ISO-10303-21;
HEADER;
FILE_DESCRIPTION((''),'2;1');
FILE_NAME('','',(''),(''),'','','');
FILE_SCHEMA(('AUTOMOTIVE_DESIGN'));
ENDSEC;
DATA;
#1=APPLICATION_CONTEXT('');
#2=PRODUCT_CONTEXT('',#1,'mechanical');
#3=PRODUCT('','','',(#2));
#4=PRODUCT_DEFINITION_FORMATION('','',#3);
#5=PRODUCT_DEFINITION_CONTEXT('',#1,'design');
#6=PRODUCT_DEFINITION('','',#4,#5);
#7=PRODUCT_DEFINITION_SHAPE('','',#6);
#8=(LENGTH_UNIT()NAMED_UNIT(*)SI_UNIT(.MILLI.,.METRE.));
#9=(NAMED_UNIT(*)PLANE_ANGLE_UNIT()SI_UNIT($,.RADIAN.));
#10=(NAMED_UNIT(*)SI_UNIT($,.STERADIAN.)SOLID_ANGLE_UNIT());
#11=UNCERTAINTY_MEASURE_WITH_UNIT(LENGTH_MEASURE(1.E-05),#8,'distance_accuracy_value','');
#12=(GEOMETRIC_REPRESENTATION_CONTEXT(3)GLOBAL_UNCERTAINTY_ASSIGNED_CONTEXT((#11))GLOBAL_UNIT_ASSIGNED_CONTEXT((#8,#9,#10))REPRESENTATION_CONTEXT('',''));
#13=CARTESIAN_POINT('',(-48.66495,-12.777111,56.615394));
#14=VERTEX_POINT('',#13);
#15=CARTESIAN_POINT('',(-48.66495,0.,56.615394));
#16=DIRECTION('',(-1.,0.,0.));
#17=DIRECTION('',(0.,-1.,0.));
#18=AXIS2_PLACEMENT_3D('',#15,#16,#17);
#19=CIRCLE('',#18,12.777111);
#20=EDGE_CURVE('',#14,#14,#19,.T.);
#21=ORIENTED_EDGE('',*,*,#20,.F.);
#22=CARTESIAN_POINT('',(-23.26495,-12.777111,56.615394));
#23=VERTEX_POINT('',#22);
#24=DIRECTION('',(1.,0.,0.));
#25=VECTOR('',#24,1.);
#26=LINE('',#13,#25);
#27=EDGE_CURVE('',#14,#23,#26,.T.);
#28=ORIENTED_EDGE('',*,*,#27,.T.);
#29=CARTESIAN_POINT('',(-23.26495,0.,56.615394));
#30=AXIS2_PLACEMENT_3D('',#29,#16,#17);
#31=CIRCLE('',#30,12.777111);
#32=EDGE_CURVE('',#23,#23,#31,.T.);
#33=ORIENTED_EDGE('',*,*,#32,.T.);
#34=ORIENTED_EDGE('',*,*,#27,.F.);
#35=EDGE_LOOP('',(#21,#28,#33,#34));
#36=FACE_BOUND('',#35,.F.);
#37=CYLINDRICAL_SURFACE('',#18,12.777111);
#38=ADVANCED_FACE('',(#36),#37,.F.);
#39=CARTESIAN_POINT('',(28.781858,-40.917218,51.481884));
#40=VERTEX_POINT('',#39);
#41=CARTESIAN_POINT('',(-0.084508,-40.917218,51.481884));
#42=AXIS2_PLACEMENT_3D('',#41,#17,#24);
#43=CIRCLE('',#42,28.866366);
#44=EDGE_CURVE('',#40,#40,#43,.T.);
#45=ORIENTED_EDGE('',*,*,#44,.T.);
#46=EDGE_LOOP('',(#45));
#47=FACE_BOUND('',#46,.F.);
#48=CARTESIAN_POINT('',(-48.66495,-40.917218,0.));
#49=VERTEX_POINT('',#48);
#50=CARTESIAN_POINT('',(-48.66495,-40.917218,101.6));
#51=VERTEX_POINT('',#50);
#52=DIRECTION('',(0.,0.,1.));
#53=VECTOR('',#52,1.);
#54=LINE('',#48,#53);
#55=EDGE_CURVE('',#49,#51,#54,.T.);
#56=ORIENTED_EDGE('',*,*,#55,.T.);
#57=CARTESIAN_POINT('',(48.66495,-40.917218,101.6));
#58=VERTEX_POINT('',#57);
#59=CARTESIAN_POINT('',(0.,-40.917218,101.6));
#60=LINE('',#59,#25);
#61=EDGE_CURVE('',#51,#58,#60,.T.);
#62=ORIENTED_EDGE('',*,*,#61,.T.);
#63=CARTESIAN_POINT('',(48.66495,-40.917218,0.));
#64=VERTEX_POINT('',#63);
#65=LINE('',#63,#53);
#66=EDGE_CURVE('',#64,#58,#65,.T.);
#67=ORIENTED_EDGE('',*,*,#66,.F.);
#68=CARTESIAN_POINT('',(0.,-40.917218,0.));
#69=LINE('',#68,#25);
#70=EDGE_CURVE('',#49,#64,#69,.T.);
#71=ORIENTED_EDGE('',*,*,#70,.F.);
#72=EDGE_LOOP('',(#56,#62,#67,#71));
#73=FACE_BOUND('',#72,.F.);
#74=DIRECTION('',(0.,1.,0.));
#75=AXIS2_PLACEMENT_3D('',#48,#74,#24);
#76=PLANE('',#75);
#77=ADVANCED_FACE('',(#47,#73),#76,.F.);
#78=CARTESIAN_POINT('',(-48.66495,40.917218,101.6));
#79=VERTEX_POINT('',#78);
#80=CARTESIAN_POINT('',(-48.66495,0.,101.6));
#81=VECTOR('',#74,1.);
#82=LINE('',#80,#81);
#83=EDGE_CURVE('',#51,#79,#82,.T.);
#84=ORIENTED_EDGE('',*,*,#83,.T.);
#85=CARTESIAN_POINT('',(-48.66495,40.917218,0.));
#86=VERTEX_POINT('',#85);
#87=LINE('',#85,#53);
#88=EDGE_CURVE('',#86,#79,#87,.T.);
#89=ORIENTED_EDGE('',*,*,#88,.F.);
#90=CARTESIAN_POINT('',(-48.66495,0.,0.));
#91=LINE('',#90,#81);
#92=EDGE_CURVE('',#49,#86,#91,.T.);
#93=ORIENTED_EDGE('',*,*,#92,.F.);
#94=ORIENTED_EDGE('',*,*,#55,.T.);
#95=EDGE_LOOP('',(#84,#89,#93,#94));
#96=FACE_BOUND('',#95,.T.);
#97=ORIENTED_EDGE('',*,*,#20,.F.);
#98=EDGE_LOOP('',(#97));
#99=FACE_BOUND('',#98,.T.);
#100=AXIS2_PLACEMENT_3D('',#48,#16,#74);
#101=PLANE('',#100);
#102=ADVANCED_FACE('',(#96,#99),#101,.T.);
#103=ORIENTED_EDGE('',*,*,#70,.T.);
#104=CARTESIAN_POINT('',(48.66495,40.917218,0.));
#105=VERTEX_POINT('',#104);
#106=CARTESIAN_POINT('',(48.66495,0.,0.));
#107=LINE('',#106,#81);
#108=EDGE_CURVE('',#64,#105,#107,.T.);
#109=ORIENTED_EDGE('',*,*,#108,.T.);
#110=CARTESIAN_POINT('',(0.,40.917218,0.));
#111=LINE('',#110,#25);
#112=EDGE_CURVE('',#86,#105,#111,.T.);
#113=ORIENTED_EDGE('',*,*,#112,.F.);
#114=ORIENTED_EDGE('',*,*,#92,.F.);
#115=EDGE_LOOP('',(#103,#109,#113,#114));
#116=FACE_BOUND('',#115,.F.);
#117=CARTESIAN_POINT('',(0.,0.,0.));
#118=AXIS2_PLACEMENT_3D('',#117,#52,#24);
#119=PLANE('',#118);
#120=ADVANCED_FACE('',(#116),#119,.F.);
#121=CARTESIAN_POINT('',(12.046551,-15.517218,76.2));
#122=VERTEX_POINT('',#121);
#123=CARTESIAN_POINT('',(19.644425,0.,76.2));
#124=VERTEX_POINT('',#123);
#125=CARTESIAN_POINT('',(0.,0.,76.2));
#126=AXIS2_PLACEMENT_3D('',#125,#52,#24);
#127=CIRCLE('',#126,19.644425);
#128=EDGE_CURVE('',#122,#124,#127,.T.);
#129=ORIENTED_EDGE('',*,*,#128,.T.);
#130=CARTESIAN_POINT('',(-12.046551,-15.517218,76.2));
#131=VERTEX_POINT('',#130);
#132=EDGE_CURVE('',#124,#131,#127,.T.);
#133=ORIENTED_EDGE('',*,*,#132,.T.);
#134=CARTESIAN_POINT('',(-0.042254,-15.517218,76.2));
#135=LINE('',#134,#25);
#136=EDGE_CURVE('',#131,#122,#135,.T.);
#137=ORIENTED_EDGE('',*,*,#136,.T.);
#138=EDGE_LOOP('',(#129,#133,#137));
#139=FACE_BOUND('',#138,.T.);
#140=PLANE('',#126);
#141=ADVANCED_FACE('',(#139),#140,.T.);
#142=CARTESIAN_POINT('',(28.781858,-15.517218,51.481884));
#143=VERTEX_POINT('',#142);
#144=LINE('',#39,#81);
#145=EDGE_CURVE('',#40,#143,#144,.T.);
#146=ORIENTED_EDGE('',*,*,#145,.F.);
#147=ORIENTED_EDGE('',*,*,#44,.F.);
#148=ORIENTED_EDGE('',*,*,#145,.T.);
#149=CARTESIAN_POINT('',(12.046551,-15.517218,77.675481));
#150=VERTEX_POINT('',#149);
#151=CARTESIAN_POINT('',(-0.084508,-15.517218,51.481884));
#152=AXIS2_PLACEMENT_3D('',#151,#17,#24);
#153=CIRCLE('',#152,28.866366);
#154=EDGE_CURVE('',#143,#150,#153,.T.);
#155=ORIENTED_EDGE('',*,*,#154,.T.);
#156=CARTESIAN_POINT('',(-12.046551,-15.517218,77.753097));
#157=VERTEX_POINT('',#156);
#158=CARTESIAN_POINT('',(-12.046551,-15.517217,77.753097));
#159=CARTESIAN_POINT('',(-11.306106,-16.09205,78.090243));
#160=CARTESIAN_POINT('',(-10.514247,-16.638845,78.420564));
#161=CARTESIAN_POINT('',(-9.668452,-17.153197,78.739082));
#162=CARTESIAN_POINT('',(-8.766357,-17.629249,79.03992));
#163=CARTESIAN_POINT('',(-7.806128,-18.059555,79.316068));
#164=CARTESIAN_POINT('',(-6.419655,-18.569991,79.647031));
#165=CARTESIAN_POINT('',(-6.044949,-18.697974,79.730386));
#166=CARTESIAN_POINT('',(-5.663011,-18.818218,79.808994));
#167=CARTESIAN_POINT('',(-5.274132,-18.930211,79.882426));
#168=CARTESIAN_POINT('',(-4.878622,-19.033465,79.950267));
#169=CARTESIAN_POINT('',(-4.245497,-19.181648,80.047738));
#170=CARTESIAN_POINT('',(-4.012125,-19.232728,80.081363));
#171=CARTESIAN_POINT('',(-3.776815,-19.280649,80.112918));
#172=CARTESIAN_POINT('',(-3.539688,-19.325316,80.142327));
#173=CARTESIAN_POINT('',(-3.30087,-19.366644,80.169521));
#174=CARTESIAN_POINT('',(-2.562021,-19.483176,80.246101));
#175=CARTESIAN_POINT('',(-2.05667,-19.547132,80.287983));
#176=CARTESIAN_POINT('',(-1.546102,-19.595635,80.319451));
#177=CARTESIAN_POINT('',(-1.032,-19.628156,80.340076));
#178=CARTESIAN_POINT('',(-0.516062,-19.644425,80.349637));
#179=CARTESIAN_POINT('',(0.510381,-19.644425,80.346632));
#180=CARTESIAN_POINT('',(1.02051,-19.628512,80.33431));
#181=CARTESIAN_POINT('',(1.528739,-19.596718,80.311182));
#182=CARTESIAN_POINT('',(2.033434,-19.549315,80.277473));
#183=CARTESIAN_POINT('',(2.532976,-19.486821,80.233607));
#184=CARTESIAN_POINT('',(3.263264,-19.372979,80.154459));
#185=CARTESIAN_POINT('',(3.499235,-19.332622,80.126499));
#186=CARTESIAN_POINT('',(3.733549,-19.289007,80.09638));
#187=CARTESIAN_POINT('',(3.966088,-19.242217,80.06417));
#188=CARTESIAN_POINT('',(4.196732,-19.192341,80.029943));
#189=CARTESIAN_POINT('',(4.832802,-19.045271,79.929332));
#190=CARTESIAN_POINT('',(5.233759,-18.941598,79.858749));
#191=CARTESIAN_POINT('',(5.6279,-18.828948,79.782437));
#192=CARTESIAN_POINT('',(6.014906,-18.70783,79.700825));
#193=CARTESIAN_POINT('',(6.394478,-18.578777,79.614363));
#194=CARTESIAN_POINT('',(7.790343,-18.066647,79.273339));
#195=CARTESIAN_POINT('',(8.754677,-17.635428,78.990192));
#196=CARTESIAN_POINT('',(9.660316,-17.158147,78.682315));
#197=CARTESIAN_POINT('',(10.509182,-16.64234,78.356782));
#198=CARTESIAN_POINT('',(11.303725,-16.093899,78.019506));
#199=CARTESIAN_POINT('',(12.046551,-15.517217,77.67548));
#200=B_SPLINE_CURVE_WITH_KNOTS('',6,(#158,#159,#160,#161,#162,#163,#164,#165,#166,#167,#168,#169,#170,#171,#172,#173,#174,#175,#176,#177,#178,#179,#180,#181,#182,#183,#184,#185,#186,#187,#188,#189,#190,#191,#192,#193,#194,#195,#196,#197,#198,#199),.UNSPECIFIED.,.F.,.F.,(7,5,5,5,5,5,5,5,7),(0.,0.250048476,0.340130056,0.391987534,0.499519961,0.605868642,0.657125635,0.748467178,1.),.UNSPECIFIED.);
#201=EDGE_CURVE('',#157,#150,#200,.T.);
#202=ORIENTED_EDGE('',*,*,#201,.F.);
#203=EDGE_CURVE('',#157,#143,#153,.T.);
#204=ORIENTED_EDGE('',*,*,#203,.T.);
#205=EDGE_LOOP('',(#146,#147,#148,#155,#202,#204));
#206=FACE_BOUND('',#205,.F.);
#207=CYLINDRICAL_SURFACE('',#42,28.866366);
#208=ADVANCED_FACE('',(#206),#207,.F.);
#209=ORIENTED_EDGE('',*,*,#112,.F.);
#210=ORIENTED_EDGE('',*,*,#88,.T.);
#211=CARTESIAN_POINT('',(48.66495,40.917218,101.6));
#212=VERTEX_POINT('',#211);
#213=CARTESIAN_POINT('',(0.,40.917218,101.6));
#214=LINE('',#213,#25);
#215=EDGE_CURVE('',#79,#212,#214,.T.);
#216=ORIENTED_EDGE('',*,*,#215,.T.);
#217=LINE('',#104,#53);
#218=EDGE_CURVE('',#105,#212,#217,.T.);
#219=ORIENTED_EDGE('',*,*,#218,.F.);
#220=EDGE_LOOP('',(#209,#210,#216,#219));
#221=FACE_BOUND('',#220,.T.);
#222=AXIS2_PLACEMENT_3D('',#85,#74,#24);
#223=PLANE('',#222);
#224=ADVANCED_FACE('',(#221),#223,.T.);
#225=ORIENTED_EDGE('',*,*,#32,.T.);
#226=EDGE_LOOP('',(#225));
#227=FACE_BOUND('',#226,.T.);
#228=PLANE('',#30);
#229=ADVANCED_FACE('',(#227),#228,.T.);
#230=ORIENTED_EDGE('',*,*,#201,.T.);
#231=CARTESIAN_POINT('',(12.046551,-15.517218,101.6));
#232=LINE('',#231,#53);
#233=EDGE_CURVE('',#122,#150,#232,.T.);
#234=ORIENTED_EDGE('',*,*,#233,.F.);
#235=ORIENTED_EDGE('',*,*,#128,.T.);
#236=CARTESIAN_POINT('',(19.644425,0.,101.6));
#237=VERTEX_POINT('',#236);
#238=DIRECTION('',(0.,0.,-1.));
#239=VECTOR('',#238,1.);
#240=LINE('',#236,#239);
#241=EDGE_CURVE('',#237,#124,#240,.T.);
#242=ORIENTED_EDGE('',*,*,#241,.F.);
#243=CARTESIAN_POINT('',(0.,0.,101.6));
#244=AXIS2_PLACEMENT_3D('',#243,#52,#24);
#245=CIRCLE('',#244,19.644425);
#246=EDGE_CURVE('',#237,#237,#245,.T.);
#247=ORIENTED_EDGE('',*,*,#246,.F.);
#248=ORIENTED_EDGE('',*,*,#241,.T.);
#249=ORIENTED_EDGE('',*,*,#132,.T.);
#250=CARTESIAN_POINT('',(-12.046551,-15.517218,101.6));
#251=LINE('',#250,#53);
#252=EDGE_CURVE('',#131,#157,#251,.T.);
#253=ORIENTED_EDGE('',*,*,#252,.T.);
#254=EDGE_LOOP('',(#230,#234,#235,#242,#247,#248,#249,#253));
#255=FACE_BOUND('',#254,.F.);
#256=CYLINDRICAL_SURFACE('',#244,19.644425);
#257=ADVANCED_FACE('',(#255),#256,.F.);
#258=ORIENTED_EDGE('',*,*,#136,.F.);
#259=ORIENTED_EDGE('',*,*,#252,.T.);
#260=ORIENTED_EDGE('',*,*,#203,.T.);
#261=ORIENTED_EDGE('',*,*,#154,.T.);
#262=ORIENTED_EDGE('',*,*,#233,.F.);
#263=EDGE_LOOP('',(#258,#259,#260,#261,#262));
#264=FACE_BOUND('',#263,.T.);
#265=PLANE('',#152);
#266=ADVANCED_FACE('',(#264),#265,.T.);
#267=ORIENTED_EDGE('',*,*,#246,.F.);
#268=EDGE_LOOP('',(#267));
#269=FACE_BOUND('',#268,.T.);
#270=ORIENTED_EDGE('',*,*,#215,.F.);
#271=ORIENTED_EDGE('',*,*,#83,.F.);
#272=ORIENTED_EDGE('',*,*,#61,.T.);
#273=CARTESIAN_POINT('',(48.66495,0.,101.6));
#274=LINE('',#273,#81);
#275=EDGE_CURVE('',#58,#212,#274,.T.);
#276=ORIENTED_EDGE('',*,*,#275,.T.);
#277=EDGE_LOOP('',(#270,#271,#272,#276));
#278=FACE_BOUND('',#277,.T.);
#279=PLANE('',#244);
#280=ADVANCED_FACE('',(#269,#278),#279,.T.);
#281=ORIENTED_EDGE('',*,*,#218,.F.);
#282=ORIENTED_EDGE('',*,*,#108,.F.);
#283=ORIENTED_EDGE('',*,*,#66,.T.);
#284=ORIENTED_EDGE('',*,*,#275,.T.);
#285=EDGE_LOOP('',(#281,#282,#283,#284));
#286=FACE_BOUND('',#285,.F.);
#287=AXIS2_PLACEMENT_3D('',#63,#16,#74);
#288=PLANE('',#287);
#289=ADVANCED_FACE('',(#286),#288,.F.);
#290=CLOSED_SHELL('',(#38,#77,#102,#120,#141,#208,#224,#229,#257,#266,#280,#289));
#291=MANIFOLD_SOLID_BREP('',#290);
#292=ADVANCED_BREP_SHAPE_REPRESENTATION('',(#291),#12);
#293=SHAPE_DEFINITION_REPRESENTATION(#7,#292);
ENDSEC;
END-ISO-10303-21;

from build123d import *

# Parameters (mm, degrees)
F0_W     = 97.3299
F0_H     = 81.834436
F1_DEPTH = 101.6
F2_R     = 19.644425
F3_DEPTH = 25.4
F5_R     = 12.777111
F6_DEPTH = 25.4
F4_R     = 28.866366
F7_DEPTH = 25.4


with BuildPart() as f1:
    # F0 (on Top) → F1 (new body)
    with BuildSketch(Plane.XY):
        Rectangle(F0_W, F0_H)
    extrude(amount=F1_DEPTH)

    # F2 (on face) → F3 (cut)
    with BuildSketch(Plane.XY.offset(101.6)):
        Circle(F2_R)
    extrude(amount=-F3_DEPTH, mode=Mode.SUBTRACT)

    # F5 (on face) → F6 (cut)
    with BuildSketch(Plane(origin=(-48.66495, 0, 0), x_dir=(0, -1, 0), z_dir=(-1, 0, 0))):
        with Locations((0, 56.615394)):
            Circle(F5_R)
    extrude(amount=-F6_DEPTH, mode=Mode.SUBTRACT)

    # F4 (on face) → F7 (cut)
    with BuildSketch(Plane.XZ.offset(40.917218)):
        with Locations((-0.084508, 51.481884)):
            Circle(F4_R)
    extrude(amount=-F7_DEPTH, mode=Mode.SUBTRACT)


solid = f1.part
